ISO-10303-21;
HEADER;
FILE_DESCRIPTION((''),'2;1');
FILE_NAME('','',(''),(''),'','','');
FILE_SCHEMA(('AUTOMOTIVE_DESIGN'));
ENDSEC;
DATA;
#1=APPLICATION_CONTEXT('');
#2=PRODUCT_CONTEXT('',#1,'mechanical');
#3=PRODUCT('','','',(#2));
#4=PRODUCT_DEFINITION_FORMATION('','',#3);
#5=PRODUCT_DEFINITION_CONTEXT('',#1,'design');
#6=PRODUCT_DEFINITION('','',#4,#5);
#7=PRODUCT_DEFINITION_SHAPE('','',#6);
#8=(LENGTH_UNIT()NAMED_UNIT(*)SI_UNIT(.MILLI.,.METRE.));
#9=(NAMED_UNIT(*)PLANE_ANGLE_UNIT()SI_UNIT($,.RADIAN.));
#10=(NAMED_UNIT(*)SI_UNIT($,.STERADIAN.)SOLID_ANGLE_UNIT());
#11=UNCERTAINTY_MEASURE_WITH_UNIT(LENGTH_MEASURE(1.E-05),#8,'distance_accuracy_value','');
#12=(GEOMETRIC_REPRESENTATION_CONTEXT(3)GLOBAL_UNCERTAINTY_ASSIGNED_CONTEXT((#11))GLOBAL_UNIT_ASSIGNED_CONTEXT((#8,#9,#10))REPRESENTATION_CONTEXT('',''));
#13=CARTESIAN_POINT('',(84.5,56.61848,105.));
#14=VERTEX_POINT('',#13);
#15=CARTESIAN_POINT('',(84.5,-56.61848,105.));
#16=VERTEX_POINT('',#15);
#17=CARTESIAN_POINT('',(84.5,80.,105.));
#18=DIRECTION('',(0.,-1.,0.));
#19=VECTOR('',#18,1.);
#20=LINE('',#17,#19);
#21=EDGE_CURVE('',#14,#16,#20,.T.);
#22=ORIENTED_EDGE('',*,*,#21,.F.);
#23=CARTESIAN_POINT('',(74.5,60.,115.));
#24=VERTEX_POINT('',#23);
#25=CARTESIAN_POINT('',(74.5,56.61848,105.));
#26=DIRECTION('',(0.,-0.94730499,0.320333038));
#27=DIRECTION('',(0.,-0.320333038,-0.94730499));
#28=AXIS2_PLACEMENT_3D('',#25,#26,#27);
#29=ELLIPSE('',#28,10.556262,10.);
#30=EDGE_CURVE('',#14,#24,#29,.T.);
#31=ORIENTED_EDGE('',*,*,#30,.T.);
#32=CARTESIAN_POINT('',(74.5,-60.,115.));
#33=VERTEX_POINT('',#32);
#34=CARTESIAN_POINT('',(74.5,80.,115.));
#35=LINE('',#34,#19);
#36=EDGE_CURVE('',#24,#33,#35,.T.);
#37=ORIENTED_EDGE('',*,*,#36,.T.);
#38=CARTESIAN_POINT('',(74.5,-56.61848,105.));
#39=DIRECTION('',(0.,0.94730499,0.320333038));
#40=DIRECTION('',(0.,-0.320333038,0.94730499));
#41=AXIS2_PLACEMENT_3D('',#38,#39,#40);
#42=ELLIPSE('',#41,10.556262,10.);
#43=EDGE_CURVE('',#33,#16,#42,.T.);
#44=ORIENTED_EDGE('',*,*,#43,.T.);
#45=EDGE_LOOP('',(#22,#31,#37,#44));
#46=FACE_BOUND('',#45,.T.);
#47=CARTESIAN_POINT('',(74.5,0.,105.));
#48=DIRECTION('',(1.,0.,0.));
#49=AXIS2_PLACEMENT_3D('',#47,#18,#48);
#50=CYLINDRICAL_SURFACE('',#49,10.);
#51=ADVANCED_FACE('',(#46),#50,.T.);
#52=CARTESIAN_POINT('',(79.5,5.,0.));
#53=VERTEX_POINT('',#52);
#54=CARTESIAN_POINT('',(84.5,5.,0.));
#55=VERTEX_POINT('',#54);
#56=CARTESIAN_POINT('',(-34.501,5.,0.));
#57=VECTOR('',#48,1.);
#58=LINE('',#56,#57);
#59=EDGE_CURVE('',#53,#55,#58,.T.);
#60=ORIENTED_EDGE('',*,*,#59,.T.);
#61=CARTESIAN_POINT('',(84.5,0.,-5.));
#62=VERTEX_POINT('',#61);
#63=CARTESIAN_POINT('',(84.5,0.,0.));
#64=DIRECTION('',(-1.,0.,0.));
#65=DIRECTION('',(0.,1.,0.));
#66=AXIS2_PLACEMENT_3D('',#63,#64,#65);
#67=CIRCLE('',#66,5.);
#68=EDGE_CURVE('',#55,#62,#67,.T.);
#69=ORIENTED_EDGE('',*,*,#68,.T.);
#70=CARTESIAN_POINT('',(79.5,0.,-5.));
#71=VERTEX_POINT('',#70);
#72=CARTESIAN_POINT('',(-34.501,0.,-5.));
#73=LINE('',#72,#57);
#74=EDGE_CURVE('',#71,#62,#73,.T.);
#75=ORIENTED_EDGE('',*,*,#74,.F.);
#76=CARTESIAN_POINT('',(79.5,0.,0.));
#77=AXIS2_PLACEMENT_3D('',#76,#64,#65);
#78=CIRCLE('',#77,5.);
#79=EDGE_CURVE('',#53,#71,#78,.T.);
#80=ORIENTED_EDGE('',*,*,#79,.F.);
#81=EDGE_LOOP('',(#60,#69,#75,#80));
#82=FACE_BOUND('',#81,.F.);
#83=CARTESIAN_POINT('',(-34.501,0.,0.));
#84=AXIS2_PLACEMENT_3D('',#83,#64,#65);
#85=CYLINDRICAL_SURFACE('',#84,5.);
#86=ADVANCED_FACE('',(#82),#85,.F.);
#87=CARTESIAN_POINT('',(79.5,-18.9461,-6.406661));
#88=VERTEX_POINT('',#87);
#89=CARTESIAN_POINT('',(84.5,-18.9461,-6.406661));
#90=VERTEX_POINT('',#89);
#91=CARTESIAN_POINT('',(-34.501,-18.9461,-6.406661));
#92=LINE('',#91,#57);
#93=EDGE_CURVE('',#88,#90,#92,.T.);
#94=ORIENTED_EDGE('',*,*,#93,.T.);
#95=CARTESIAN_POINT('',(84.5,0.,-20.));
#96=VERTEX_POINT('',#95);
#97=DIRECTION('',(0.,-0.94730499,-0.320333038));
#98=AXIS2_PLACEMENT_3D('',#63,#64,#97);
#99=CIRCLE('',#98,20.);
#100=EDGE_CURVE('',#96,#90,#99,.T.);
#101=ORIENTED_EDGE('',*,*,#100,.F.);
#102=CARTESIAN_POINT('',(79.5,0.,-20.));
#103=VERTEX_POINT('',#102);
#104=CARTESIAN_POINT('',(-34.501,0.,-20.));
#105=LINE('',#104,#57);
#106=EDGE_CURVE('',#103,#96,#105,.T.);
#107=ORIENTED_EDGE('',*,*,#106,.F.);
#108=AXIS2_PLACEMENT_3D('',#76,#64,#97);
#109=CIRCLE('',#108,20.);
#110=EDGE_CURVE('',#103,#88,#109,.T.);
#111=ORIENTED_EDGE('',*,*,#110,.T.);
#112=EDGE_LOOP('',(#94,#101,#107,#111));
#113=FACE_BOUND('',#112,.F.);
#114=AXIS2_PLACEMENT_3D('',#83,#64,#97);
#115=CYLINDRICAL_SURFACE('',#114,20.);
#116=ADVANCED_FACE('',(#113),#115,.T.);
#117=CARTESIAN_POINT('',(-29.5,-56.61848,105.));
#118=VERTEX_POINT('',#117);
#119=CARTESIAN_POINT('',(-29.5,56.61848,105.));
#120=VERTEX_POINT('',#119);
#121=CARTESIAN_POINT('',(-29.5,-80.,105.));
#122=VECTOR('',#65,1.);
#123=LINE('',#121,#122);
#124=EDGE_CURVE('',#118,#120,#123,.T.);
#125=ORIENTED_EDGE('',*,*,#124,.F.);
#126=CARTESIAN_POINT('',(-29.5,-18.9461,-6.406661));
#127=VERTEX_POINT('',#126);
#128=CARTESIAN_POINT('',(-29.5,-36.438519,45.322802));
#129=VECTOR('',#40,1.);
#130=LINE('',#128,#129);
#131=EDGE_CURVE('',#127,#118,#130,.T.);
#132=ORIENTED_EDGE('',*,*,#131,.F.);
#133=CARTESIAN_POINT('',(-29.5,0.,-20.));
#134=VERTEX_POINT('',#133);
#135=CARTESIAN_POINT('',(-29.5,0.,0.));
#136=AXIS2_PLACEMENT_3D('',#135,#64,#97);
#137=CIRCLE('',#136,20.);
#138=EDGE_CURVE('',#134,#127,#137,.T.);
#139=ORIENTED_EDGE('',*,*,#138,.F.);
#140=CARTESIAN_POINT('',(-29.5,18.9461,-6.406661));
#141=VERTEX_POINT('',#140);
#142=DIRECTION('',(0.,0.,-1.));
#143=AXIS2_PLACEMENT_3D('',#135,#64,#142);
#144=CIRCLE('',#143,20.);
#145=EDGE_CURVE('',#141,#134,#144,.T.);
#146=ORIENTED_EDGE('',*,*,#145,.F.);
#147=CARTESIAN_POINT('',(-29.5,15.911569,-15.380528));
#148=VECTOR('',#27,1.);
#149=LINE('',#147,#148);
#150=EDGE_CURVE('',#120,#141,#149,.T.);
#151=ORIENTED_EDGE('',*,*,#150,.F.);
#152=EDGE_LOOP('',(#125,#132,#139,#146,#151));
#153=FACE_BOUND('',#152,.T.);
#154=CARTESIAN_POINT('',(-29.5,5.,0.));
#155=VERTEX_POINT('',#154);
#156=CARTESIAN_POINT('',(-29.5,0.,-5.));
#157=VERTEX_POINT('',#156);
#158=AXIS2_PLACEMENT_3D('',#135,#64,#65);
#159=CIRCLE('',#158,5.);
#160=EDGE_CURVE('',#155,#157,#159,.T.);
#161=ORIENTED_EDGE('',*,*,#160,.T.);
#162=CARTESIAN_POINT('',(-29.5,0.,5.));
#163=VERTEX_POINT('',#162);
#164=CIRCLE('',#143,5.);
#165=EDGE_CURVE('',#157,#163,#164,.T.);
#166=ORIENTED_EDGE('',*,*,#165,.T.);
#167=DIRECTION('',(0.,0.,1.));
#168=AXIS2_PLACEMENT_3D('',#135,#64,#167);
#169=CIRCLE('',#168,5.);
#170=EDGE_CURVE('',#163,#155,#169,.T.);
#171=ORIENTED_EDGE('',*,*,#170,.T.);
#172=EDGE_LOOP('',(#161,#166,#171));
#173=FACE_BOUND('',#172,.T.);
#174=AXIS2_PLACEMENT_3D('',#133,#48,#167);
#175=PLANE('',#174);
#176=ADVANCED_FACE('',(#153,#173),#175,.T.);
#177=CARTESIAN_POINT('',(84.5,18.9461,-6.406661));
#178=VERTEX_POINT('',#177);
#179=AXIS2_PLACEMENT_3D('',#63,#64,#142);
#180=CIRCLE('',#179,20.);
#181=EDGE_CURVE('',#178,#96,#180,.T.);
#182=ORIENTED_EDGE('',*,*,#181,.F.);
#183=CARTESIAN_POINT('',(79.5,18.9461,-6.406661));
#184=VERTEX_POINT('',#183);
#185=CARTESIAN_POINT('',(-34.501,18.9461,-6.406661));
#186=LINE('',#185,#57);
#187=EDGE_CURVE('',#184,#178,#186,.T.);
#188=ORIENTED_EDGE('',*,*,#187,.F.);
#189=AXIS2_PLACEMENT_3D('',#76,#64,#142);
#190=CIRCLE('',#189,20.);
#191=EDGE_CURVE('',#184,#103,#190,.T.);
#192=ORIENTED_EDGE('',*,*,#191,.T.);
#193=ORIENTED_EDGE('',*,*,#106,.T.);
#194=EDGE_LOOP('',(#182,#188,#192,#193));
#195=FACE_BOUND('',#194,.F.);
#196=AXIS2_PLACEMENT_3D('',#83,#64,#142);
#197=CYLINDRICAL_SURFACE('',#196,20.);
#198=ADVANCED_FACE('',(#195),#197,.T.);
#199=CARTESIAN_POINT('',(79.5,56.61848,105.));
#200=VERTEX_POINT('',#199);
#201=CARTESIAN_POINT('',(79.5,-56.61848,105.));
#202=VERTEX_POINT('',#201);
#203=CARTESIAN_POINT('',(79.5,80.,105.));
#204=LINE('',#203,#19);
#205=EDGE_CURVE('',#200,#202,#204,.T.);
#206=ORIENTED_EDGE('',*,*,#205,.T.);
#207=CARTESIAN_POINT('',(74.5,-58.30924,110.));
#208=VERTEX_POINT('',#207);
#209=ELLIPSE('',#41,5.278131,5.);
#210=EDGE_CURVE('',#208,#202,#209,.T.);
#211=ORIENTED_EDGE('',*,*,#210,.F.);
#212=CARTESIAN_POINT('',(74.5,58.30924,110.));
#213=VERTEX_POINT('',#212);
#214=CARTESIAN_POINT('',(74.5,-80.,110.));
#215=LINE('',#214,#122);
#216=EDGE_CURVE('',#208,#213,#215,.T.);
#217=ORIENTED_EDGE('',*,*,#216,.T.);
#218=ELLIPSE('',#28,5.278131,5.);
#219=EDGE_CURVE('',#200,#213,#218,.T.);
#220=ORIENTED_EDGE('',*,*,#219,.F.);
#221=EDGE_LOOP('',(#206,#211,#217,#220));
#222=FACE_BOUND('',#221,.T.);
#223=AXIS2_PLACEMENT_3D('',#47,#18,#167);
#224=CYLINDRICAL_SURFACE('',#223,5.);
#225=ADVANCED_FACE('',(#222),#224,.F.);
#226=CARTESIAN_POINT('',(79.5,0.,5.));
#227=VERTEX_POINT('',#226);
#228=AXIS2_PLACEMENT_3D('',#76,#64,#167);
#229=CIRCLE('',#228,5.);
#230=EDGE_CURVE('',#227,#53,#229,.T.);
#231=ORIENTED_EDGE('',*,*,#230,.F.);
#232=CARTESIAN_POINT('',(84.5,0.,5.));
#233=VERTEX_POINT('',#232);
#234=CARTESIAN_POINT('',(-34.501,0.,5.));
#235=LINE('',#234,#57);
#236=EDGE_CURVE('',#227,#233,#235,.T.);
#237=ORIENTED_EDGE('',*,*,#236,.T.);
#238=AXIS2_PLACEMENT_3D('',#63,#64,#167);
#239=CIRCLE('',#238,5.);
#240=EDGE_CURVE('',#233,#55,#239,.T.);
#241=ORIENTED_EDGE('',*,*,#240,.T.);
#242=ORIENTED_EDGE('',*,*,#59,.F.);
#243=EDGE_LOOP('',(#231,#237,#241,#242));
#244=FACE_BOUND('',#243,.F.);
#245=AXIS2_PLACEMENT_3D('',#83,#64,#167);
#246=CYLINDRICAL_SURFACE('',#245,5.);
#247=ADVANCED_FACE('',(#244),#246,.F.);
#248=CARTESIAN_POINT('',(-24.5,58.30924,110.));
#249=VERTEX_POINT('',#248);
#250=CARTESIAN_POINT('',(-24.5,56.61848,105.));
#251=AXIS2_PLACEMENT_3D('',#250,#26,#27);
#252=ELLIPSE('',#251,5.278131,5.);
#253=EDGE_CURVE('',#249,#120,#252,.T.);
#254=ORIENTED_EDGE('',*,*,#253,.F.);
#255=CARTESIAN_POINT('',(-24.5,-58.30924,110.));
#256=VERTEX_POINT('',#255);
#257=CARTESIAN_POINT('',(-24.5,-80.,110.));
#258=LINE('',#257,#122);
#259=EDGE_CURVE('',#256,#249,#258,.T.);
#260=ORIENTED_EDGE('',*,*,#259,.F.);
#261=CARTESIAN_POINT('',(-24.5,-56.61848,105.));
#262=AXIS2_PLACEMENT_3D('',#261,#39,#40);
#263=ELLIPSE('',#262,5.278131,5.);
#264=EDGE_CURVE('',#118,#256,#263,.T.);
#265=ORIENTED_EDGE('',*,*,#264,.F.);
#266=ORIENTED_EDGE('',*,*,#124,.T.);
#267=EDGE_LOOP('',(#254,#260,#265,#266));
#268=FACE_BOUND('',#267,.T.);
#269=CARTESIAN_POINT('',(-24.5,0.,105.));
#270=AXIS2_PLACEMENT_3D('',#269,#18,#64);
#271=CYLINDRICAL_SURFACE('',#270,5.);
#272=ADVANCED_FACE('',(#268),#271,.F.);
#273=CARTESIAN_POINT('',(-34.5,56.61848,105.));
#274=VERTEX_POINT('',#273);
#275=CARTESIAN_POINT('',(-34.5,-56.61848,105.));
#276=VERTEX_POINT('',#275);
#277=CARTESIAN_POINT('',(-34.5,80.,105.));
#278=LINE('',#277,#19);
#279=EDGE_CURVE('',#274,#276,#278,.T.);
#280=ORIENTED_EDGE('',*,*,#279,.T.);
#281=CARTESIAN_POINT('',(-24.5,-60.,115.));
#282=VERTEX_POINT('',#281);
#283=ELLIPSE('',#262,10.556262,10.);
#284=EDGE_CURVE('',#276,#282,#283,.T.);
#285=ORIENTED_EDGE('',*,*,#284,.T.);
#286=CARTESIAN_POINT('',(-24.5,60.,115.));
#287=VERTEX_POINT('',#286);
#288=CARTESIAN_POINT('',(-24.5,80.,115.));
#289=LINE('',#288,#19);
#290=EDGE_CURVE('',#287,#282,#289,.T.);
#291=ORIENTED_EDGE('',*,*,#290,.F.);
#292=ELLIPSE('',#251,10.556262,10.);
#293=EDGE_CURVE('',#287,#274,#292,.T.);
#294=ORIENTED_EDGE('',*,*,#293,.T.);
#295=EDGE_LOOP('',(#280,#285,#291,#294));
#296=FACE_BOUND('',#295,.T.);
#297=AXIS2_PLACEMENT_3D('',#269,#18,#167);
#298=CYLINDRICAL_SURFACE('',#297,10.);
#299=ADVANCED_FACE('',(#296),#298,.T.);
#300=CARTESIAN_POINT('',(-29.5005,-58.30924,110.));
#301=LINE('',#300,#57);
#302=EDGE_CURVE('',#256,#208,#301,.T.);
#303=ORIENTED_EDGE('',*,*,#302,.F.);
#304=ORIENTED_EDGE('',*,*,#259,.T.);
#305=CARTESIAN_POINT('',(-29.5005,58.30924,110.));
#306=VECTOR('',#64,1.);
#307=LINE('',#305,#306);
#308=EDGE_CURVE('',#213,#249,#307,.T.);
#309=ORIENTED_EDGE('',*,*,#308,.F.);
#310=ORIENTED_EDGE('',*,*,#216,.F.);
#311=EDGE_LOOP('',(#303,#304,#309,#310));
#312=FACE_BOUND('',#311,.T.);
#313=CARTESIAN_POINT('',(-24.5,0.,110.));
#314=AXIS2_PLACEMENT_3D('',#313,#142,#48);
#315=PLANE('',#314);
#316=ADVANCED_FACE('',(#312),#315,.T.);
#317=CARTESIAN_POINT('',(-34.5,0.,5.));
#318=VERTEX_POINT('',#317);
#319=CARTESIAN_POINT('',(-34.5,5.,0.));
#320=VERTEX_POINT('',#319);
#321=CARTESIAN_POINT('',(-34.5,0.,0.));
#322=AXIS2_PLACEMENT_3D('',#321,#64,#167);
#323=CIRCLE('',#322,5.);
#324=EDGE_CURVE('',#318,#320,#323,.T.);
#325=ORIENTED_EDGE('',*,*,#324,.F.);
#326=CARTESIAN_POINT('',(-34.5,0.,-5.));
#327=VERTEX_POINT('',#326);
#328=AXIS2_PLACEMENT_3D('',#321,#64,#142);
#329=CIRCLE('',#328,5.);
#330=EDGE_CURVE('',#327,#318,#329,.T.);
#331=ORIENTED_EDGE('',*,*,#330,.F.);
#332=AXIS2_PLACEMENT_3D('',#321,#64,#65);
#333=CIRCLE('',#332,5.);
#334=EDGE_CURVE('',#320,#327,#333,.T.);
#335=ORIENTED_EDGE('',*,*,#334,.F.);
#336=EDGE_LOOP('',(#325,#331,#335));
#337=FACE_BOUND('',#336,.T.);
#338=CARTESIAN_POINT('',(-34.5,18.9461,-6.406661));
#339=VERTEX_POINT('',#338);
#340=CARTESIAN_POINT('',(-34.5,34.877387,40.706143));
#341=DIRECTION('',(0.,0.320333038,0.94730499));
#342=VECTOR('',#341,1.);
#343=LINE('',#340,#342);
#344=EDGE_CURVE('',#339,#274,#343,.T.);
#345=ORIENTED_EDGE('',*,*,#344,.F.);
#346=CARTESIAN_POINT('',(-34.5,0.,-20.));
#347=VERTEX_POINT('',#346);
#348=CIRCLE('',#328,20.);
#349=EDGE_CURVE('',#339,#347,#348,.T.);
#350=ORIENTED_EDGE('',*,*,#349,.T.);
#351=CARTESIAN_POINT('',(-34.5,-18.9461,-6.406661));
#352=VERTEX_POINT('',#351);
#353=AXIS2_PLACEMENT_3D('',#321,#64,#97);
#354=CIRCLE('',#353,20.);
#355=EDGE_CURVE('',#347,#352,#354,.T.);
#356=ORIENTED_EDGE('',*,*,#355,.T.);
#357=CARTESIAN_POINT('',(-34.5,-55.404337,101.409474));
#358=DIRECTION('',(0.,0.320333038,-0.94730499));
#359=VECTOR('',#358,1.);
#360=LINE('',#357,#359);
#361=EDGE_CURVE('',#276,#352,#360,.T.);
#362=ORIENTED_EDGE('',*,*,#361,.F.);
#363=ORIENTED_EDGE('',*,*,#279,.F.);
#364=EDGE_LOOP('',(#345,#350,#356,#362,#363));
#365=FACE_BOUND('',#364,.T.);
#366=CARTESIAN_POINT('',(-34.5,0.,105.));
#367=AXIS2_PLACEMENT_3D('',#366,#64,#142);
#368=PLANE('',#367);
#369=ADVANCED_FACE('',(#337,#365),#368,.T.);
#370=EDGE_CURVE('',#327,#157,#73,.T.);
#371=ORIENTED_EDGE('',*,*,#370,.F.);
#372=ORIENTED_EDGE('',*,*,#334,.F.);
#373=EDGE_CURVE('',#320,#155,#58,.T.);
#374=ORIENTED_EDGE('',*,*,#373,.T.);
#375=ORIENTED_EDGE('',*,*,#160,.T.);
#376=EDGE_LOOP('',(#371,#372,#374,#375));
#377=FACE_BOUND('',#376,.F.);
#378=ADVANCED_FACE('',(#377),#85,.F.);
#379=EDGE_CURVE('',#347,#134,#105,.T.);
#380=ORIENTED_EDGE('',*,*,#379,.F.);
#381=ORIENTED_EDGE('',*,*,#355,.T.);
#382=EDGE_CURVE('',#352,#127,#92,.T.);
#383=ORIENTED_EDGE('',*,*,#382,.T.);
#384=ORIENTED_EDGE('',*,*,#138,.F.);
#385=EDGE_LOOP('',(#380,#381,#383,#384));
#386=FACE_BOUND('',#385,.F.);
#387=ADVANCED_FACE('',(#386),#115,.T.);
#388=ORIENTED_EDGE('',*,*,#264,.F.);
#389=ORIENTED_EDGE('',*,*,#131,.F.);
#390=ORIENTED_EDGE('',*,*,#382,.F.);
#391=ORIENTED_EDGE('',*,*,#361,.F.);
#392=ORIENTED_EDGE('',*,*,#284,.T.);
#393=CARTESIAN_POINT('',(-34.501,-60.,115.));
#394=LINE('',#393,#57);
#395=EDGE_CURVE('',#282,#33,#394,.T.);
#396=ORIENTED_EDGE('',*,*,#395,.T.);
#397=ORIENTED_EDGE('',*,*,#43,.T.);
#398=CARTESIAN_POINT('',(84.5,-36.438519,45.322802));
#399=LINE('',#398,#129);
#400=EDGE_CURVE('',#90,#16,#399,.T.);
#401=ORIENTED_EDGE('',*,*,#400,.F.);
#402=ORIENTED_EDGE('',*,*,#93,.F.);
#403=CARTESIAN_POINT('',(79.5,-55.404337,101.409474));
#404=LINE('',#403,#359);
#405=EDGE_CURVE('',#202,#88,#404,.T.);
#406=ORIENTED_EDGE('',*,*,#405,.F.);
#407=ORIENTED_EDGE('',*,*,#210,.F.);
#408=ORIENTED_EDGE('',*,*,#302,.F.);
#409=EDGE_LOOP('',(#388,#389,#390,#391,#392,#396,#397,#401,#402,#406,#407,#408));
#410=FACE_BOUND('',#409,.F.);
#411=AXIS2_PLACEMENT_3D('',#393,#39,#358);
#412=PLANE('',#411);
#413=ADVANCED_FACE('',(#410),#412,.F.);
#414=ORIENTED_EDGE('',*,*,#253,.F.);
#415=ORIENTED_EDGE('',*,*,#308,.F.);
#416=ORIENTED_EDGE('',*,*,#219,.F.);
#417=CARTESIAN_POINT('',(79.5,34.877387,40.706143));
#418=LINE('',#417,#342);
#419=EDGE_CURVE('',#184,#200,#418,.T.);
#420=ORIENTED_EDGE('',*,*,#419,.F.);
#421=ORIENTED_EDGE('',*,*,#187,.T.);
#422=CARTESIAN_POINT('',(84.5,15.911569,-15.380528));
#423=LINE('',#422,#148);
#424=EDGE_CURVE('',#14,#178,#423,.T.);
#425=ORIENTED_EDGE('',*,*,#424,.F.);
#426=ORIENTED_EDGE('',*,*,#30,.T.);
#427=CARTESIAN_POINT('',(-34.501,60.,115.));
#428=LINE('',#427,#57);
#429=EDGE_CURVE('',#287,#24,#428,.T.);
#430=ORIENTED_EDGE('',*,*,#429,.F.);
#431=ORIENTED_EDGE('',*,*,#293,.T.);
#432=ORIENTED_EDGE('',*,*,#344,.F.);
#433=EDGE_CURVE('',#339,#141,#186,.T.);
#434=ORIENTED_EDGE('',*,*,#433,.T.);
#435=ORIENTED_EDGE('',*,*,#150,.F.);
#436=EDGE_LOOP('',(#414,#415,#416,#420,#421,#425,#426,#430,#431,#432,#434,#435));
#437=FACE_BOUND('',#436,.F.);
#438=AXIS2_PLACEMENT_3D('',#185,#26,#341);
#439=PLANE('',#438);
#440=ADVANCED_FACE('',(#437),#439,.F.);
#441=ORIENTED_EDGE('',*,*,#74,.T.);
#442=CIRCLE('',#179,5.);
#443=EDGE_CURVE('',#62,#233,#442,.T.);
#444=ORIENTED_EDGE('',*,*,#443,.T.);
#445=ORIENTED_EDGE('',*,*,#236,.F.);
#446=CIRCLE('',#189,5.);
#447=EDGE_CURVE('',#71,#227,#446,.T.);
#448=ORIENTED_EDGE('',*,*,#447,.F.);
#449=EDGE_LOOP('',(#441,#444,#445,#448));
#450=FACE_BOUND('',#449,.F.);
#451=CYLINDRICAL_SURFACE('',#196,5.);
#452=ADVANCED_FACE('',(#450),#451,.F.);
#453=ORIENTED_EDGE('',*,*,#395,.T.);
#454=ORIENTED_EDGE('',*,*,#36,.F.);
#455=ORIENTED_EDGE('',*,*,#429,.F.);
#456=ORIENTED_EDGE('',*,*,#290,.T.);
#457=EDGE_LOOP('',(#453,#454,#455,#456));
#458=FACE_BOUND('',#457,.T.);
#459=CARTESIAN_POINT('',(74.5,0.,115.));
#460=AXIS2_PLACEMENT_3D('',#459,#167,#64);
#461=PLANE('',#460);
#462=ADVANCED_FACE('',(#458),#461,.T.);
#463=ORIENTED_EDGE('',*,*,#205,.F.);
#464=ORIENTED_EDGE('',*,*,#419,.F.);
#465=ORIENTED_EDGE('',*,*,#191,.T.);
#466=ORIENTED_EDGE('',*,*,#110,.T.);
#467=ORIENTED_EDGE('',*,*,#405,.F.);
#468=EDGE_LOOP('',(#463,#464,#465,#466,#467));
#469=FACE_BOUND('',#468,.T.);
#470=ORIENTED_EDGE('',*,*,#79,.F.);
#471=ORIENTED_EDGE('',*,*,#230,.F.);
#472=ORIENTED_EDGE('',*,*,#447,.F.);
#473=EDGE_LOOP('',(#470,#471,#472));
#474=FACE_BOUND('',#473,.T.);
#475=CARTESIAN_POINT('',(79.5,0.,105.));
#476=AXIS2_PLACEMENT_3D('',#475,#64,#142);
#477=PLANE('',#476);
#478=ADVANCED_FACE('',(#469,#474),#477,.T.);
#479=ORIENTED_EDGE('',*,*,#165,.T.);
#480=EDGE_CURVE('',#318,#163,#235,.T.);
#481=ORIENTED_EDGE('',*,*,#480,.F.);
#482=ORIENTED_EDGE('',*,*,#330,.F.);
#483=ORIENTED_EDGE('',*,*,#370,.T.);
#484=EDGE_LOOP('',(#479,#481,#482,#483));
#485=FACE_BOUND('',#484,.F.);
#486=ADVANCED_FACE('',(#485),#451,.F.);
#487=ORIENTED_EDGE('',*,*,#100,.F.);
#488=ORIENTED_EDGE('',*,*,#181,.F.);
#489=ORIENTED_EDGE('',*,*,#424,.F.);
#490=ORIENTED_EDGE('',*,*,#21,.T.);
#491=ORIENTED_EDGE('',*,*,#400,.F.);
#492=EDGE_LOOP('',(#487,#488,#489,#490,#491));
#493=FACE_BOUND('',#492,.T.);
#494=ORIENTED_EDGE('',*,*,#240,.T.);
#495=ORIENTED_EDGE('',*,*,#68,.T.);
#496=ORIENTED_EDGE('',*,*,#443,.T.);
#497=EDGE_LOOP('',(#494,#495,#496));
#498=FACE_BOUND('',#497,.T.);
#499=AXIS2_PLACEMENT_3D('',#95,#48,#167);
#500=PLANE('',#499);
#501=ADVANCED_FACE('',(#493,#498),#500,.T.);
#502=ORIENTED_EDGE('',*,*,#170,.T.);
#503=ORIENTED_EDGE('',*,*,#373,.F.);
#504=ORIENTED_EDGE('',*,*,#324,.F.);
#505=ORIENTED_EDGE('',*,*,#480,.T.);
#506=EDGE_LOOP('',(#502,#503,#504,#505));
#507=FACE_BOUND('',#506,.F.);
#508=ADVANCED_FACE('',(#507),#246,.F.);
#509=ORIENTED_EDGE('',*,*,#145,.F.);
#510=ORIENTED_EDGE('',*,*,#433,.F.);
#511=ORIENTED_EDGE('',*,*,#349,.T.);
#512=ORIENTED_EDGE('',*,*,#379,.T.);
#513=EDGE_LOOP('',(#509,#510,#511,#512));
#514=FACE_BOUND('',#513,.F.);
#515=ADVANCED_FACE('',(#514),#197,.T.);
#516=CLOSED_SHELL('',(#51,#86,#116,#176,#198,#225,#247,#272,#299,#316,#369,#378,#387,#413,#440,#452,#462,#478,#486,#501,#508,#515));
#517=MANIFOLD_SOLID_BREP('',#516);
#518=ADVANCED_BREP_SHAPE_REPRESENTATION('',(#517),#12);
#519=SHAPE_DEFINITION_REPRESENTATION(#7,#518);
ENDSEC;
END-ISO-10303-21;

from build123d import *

# Parameters (mm, degrees)
F2_DEPTH      = 80
F2_DEPTH_BACK = 80
F3_START      = -34.501
F3_DEPTH      = 119.002


with BuildPart() as f2:
    # F0 (on Front) → F2 (new body, two sides)
    with BuildSketch(Plane.XZ) as f2_sk:
        with BuildLine():
            Line((25, 115), (25, 110))
            Line((25, 110), (74.5, 110))
            ThreePointArc((74.5, 110), (78.0355339059, 108.5355339059), (79.5, 105))
            Line((79.5, 105), (79.5, 0))
            Line((79.5, 0), (79.5, -20))
            Line((79.5, -20), (84.5, -20))
            Line((84.5, -20), (84.5, 105))
            ThreePointArc((84.5, 105), (81.5710678119, 112.0710678119), (74.5, 115))
            Line((74.5, 115), (25, 115))
        make_face()
        with BuildLine():
            Line((-29.5, -20), (-29.5, 0))
            Line((-29.5, 0), (-29.5, 105))
            ThreePointArc((-29.5, 105), (-28.0355339059, 108.5355339059), (-24.5, 110))
            Line((-24.5, 110), (25, 110))
            Line((25, 110), (25, 115))
            Line((25, 115), (-24.5, 115))
            ThreePointArc((-24.5, 115), (-31.5710678119, 112.0710678119), (-34.5, 105))
            Line((-34.5, 105), (-34.5, -20))
            Line((-34.5, -20), (-29.5, -20))
        make_face()
    extrude(amount=F2_DEPTH)
    extrude(f2_sk.sketch, amount=-F2_DEPTH_BACK)

    # F1 (on Right) → F3 (intersect)
    with BuildSketch(Plane.YZ.offset(F3_START)):
        with BuildLine():
            Line((-60, 115), (-18.9460998047, -6.4066607677))
            ThreePointArc((-18.9460998047, -6.4066607677), (-11.6590476594, -16.2501263896), (0, -20))
            Line((0, -20), (0, -5))
            ThreePointArc((0, -5), (-5, 0), (0, 5))
            Line((0, 5), (0, 115))
            Line((0, 115), (-60, 115))
        make_face()
        with BuildLine():
            Line((0, -5), (0, -20))
            ThreePointArc((0, -20), (11.6590476594, -16.2501263896), (18.9460998047, -6.4066607677))
            Line((18.9460998047, -6.4066607677), (60, 115))
            Line((60, 115), (0, 115))
            Line((0, 115), (0, 5))
            ThreePointArc((0, 5), (3.5355339059, 3.5355339059), (5, 0))
            ThreePointArc((5, 0), (3.5355339059, -3.5355339059), (0, -5))
        make_face()
    extrude(amount=F3_DEPTH, mode=Mode.INTERSECT)


solid = f2.part
